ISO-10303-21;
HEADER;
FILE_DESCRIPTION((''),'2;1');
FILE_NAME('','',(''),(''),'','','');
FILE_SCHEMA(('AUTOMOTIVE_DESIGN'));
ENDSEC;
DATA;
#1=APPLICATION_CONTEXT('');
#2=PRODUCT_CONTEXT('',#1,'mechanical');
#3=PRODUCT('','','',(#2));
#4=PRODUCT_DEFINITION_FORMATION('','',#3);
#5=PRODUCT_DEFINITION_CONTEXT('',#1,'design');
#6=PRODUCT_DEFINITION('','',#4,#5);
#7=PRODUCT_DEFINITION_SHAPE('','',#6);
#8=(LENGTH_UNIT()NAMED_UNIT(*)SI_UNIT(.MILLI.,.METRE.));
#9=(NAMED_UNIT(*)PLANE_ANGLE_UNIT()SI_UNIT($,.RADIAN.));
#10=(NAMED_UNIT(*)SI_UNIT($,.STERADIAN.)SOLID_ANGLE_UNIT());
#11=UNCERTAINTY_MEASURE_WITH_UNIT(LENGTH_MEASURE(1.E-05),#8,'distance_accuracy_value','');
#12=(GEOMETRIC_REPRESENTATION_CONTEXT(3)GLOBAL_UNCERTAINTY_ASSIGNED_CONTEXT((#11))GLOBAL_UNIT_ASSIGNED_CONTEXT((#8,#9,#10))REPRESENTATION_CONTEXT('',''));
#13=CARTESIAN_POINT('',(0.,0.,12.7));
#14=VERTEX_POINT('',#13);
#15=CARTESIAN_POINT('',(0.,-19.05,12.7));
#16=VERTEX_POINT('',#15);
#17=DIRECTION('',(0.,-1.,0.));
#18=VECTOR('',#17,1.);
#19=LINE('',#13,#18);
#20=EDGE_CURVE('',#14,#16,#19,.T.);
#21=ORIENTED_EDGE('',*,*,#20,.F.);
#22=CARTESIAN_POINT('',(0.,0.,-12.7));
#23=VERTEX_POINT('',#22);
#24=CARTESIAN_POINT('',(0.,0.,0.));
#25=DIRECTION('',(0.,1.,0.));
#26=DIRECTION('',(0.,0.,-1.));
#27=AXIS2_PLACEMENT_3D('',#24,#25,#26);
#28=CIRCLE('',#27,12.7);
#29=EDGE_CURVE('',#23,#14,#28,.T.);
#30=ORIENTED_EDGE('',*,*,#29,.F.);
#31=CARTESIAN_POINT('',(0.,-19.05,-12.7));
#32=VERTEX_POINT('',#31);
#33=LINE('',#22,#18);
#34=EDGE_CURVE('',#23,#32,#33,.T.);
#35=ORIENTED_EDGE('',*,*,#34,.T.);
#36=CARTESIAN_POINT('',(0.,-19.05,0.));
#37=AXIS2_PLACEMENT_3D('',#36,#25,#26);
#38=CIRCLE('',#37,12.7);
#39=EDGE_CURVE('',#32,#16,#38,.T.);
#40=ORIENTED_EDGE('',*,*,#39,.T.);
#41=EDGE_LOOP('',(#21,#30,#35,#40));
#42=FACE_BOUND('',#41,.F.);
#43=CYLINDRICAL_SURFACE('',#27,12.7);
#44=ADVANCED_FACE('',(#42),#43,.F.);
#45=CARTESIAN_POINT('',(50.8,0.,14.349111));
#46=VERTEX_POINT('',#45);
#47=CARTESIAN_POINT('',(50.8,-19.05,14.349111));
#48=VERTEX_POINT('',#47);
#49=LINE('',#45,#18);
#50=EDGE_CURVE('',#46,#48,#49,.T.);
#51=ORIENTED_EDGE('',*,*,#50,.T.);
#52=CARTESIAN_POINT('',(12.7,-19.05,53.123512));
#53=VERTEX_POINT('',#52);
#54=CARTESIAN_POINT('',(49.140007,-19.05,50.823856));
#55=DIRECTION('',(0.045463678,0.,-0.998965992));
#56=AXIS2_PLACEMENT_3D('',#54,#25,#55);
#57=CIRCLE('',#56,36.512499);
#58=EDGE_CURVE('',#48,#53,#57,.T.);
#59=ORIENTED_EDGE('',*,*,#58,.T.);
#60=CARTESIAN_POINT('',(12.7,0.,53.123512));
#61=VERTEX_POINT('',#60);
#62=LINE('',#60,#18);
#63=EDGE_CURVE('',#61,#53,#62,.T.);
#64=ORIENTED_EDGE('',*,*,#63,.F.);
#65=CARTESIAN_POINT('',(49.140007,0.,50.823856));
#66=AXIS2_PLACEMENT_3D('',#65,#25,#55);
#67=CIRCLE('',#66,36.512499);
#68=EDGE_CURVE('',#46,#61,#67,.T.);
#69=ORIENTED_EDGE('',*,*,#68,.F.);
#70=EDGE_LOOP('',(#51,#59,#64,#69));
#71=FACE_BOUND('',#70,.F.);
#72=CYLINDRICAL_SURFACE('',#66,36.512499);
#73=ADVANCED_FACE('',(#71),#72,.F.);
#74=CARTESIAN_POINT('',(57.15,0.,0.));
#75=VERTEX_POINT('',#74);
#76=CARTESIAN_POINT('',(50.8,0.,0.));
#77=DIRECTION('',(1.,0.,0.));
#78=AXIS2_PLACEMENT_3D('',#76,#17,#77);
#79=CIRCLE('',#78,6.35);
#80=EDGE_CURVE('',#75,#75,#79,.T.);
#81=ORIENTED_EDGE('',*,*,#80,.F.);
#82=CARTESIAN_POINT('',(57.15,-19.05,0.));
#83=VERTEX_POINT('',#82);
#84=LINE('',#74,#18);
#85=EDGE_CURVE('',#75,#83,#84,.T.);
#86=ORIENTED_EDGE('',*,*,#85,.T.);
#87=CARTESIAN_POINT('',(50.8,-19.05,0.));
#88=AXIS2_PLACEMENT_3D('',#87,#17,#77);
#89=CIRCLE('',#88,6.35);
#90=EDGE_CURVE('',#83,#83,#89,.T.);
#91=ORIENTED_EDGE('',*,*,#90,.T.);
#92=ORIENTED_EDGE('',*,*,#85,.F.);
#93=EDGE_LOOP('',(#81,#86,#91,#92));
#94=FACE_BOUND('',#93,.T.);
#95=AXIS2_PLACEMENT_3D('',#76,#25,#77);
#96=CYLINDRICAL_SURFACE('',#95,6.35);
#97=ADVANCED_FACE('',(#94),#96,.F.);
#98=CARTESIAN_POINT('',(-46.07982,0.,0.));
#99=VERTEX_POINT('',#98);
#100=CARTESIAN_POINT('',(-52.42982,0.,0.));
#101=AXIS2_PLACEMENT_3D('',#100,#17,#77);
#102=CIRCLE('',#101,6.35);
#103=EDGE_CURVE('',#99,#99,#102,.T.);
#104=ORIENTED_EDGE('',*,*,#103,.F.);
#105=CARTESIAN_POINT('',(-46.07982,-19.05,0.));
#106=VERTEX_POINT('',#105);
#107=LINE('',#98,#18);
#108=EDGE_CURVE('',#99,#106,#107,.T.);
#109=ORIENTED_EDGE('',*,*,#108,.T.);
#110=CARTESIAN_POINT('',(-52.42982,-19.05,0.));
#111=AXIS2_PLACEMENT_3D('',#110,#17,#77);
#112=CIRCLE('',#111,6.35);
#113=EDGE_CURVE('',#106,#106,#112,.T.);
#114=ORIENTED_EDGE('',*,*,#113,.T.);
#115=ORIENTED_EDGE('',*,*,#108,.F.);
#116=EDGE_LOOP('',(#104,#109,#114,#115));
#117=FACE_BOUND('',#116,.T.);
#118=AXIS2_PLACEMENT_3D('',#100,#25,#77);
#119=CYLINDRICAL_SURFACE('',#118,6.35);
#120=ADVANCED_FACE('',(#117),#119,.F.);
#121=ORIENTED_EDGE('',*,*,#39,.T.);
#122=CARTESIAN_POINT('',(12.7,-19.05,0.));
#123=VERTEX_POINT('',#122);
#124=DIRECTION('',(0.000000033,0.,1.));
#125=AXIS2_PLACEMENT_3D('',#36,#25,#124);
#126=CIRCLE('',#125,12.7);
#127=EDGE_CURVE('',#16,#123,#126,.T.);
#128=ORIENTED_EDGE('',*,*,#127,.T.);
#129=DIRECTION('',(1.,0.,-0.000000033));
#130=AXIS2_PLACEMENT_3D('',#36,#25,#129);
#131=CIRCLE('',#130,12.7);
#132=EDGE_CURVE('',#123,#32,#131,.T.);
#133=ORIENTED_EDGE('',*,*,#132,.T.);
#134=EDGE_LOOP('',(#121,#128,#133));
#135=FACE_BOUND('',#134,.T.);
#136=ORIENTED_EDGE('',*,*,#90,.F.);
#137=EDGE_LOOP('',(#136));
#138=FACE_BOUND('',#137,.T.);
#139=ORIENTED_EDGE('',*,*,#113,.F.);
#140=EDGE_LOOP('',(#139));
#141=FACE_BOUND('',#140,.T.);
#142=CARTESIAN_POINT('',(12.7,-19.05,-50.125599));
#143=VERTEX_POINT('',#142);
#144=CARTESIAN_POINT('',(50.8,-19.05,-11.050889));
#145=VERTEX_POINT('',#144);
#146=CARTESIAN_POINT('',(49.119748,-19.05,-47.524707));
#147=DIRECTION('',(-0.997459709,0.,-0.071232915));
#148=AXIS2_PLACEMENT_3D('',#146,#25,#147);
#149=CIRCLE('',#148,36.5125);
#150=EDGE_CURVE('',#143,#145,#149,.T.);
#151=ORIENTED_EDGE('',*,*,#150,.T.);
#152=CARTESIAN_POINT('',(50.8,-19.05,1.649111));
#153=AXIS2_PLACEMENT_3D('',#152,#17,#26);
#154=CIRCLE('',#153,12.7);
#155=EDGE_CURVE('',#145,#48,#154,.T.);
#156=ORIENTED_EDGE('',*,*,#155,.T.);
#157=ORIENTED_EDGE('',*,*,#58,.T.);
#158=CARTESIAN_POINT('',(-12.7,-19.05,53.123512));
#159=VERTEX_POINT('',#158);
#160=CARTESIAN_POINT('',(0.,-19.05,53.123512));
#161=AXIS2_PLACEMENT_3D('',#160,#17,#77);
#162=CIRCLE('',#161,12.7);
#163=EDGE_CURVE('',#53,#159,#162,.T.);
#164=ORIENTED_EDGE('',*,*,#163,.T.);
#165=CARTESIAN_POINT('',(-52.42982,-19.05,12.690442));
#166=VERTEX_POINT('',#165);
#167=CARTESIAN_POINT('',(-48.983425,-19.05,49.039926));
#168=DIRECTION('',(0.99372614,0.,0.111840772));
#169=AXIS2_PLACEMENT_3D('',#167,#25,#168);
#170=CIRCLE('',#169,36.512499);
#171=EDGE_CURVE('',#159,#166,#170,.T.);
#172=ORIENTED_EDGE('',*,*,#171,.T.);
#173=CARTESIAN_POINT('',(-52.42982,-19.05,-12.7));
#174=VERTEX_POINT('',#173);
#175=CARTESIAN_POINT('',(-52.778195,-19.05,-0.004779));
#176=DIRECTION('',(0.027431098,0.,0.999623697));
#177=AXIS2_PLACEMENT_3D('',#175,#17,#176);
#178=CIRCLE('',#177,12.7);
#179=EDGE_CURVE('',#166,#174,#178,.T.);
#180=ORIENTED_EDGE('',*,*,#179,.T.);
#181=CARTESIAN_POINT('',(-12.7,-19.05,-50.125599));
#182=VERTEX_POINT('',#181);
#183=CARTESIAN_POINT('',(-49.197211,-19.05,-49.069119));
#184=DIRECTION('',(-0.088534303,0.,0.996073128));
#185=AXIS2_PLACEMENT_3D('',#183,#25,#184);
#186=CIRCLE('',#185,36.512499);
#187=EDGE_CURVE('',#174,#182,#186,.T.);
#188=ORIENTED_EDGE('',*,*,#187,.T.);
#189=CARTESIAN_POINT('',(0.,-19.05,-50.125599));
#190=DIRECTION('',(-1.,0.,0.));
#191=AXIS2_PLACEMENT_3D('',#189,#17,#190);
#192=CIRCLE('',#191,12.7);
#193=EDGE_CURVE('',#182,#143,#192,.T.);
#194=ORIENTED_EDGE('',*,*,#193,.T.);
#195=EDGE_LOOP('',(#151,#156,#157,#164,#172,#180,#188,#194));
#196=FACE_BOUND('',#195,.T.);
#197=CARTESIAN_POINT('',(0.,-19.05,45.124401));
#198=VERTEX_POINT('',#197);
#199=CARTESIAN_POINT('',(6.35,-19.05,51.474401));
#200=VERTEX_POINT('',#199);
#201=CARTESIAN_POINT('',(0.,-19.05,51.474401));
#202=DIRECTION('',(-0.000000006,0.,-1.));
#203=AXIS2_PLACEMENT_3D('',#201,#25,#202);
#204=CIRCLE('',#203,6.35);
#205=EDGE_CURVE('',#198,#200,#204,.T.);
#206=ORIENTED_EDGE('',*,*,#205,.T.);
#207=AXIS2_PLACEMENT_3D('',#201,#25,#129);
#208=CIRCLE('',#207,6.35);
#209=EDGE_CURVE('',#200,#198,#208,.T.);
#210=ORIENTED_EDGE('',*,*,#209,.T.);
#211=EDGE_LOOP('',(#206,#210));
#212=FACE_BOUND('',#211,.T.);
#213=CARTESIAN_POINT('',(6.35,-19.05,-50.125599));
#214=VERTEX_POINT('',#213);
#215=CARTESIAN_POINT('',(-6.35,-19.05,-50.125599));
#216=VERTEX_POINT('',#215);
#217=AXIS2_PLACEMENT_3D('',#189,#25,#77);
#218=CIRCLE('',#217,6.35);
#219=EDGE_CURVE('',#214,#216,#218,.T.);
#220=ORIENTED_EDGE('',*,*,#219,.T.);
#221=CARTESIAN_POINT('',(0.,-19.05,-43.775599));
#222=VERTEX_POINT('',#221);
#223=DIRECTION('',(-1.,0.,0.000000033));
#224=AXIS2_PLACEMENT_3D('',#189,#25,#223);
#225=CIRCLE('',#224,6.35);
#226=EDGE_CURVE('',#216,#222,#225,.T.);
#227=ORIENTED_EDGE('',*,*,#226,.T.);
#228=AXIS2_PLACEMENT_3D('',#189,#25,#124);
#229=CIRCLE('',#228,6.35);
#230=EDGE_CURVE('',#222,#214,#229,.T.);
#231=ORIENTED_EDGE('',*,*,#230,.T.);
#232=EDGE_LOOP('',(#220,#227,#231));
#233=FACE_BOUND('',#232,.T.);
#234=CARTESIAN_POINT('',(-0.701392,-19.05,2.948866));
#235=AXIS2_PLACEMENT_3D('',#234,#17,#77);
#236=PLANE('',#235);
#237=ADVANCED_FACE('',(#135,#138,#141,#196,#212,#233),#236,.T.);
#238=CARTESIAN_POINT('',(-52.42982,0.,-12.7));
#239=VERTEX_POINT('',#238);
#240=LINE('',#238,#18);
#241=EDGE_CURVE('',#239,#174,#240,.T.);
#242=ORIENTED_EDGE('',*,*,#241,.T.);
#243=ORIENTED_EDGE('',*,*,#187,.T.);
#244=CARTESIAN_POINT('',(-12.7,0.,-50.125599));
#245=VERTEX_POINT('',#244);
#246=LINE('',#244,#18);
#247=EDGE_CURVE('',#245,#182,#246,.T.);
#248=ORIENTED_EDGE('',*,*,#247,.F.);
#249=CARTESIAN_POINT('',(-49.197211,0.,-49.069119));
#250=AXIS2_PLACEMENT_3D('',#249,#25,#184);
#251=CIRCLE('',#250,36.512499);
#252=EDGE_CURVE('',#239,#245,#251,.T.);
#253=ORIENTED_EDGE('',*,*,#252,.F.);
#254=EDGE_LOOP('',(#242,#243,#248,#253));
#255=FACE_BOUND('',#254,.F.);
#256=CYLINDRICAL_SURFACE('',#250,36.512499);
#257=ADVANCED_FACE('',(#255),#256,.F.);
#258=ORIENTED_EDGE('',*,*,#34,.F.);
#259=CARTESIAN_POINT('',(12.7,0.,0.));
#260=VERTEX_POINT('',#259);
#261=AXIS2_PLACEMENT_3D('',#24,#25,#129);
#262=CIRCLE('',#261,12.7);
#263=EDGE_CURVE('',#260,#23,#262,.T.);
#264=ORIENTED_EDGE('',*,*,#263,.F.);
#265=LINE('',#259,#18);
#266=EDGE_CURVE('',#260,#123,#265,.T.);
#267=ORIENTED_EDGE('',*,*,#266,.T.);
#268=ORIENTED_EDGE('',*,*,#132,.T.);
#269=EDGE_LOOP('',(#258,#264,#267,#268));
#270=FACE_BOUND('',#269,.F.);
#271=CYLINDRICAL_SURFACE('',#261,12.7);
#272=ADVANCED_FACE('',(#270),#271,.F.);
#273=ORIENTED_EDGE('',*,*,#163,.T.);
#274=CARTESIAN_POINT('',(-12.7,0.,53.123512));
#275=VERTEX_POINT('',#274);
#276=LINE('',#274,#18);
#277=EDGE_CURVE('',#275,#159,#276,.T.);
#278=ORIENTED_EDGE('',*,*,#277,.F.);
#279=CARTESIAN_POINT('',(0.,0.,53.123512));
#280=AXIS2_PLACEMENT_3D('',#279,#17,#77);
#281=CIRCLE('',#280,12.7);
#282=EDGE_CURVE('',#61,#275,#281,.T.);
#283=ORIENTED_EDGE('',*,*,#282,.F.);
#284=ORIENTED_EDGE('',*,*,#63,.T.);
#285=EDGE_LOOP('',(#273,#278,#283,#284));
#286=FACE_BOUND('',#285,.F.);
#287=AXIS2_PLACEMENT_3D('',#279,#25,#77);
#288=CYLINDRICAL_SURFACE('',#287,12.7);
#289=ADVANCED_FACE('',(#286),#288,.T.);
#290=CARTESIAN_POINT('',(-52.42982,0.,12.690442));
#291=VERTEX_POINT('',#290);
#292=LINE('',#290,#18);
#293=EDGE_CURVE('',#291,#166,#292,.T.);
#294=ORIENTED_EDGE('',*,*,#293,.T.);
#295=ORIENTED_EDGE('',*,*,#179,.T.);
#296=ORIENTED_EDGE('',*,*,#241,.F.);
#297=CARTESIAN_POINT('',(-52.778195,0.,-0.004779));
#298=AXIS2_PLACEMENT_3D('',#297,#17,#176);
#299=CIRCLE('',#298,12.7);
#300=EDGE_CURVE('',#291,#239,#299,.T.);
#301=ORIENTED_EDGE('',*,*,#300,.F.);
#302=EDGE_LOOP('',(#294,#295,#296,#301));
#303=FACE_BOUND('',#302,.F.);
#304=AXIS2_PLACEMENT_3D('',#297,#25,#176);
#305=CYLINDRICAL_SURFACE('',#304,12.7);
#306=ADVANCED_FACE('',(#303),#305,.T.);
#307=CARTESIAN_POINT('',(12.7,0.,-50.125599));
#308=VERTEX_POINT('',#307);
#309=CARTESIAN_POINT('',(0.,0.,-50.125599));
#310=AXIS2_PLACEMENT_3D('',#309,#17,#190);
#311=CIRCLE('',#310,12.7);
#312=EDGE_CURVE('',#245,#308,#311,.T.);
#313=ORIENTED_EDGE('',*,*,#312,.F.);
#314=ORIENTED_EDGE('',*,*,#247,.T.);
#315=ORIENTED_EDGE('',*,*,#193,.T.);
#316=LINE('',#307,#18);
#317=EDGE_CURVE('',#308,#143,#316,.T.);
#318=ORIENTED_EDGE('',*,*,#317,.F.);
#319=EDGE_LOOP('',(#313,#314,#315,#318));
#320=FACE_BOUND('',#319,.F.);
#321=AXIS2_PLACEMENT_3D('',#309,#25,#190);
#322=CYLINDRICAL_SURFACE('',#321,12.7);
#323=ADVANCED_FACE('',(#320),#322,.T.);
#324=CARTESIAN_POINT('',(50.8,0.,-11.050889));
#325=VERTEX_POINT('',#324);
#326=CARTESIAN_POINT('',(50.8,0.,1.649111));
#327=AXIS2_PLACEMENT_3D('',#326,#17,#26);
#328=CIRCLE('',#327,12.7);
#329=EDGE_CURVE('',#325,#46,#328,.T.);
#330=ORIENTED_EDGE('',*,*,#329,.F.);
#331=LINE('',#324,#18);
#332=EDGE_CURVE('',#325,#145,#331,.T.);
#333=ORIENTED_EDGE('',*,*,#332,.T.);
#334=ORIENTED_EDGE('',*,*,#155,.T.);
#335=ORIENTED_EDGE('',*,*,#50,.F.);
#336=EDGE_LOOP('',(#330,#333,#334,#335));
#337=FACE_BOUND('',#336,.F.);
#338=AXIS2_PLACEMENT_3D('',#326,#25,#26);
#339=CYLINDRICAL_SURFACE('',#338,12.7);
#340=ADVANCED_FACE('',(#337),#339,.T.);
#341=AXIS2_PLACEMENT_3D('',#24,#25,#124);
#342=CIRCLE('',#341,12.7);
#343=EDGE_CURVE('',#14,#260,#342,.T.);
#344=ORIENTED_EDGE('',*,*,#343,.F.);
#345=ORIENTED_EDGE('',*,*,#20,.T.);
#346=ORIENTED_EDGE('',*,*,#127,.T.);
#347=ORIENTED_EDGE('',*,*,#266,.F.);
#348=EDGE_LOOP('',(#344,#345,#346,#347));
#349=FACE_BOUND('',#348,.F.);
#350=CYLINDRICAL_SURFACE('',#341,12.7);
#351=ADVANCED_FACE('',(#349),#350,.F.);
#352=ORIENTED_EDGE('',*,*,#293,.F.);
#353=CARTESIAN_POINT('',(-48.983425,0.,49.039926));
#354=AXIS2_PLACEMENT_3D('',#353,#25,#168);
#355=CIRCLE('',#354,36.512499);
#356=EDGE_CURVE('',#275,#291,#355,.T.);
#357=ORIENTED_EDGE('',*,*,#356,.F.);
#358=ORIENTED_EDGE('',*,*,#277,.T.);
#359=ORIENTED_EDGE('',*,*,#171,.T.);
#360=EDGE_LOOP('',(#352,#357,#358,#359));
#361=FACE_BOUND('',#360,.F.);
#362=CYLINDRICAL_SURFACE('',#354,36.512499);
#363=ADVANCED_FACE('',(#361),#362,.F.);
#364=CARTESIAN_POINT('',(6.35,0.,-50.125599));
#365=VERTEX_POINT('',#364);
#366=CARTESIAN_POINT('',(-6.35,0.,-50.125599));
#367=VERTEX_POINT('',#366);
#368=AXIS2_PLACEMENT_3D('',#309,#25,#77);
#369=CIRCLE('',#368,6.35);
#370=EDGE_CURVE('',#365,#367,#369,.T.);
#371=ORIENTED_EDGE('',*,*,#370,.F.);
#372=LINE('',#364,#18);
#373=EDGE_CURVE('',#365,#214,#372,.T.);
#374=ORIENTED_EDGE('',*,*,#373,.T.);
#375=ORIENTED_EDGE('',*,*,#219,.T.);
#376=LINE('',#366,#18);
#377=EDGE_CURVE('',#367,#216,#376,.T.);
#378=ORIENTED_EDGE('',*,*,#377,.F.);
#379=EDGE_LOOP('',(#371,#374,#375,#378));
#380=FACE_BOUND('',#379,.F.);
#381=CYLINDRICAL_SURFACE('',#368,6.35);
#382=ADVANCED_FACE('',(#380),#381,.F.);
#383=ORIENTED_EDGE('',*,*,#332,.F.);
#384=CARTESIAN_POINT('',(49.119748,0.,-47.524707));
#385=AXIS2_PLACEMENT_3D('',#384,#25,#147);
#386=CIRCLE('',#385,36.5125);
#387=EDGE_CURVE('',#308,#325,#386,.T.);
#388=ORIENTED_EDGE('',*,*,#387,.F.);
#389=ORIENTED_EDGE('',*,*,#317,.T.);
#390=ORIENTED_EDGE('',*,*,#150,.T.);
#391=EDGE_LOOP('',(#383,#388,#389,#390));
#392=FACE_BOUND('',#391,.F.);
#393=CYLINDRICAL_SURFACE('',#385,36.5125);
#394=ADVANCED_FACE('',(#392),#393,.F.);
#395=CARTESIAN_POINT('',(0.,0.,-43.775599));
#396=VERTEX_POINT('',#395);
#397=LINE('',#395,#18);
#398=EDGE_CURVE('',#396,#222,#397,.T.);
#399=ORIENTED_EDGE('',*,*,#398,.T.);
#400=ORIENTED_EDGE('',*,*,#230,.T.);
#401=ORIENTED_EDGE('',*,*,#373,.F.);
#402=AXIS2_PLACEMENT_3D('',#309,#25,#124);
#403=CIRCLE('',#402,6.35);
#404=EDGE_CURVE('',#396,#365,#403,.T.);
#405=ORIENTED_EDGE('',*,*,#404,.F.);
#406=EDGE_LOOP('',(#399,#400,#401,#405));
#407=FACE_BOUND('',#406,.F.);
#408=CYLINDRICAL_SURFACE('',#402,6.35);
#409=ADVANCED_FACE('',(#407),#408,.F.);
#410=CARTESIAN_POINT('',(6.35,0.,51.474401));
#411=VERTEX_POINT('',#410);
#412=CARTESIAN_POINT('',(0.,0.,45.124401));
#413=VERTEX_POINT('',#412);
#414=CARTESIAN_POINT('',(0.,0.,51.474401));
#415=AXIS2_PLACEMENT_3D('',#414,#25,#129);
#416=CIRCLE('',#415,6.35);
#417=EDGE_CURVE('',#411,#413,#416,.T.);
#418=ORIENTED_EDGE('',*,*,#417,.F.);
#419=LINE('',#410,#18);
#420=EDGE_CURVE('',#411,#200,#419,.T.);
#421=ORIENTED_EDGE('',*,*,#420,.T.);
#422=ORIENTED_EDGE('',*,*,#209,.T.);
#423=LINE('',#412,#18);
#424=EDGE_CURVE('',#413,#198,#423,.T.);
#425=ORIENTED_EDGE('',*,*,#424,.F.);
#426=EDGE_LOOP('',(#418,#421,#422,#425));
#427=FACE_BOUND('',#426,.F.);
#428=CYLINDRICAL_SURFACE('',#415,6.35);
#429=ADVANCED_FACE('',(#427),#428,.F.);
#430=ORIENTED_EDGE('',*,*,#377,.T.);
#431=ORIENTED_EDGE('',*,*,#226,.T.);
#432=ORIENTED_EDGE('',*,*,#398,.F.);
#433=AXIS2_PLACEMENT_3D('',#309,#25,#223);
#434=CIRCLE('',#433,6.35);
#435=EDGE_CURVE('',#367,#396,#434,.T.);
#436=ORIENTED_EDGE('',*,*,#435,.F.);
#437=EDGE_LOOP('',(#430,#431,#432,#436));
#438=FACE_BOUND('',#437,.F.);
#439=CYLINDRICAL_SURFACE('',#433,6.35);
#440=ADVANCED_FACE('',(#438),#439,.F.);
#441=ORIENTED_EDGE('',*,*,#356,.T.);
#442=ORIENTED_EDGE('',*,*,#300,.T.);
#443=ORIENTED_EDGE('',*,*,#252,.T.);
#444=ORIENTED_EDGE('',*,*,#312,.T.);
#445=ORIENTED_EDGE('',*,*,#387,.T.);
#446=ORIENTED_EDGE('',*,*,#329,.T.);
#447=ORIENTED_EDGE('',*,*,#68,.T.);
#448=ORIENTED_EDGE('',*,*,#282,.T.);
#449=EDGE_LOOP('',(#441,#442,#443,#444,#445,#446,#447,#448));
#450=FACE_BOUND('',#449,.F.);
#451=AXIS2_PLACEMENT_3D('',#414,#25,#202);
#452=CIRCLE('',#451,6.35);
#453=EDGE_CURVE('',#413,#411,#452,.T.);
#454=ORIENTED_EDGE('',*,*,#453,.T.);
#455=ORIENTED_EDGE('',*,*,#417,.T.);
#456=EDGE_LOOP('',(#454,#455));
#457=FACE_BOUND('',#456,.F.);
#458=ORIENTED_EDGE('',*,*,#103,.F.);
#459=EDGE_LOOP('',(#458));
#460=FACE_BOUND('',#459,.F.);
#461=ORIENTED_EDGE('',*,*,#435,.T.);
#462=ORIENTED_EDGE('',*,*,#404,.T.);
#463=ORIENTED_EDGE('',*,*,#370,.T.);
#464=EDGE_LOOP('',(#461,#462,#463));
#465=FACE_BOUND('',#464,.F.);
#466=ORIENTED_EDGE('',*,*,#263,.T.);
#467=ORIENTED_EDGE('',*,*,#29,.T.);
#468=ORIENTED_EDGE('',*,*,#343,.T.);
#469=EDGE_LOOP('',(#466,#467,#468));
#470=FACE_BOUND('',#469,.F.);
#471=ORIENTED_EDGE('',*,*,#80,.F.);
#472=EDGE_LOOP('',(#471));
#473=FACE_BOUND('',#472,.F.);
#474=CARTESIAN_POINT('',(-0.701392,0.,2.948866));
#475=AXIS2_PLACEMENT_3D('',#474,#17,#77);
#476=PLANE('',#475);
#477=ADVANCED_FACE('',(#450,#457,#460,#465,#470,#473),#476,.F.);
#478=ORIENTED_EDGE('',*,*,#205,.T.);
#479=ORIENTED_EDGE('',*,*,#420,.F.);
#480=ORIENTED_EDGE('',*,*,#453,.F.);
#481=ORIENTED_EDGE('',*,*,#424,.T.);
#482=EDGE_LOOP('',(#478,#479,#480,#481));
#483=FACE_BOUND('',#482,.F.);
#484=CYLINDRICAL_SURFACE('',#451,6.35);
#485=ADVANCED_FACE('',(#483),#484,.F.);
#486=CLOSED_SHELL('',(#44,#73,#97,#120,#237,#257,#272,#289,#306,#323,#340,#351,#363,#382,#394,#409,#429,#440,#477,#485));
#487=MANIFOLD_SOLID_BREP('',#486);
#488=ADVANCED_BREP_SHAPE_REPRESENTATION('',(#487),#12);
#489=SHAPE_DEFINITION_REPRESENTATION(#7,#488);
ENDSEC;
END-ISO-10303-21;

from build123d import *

# Parameters (mm, degrees)
F0_R     = 6.35
F1_DEPTH = 19.05
F2_DEPTH = 19.05


with BuildPart() as f1:
    # F0 (on Front) → F1 (new body)
    with BuildSketch(Plane.XZ):
        with BuildLine():
            ThreePointArc((-6.35, -50.125599), (-4.490128, -45.635471), (0, -43.775599))
            ThreePointArc((0, -43.775599), (4.490128, -45.635471), (6.35, -50.125599))
            Line((6.35, -50.125599), (12.7, -50.125599))
            ThreePointArc((12.7, -50.125599), (22.977514, -22.034586), (50.8, -11.050889))
            ThreePointArc((50.8, -11.050889), (63.5, 1.649111), (50.8, 14.349111))
            ThreePointArc((50.8, 14.349111), (23.096277, 25.233102), (12.7, 53.123512))
            ThreePointArc((12.7, 53.123512), (0, 65.823512), (-12.7, 53.123512))
            ThreePointArc((-12.7, 53.123512), (-22.939694, 23.449172), (-52.42982, 12.690442))
            ThreePointArc((-52.42982, 12.690442), (-65.478195, -0.004779), (-52.42982, -12.7))
            ThreePointArc((-52.42982, -12.7), (-24.161191, -22.49168), (-12.7, -50.125599))
            Line((-12.7, -50.125599), (-6.35, -50.125599))
        make_face()
        with Locations((-52.42982, 0)):
            Circle(F0_R, mode=Mode.SUBTRACT)
        with BuildLine():
            ThreePointArc((0, -12.7), (-12.7, 0), (0, 12.7))
            ThreePointArc((0, 12.7), (8.980256, 8.980256), (12.7, 0))
            ThreePointArc((12.7, 0), (8.980256, -8.980256), (0, -12.7))
        make_face(mode=Mode.SUBTRACT)
        with Locations((50.8, 0)):
            Circle(F0_R, mode=Mode.SUBTRACT)
        with BuildLine():
            ThreePointArc((6.35, 51.474401), (4.490128, 46.984273), (0, 45.124401))
            ThreePointArc((0, 45.124401), (-4.490128, 55.964529), (6.35, 51.474401))
        make_face(mode=Mode.SUBTRACT)
        with BuildLine():
            Line((12.7, -50.125599), (6.35, -50.125599))
            ThreePointArc((6.35, -50.125599), (0, -56.475599), (-6.35, -50.125599))
            Line((-6.35, -50.125599), (-12.7, -50.125599))
            ThreePointArc((-12.7, -50.125599), (0, -62.825599), (12.7, -50.125599))
        make_face()
    extrude(amount=F1_DEPTH)

    # F0 (on Front) → F2 (join)
    with BuildSketch(Plane.XZ):
        with BuildLine():
            ThreePointArc((-6.35, -50.125599), (-4.490128, -45.635471), (0, -43.775599))
            ThreePointArc((0, -43.775599), (4.490128, -45.635471), (6.35, -50.125599))
            Line((6.35, -50.125599), (12.7, -50.125599))
            ThreePointArc((12.7, -50.125599), (22.977514, -22.034586), (50.8, -11.050889))
            ThreePointArc((50.8, -11.050889), (63.5, 1.649111), (50.8, 14.349111))
            ThreePointArc((50.8, 14.349111), (23.096277, 25.233102), (12.7, 53.123512))
            ThreePointArc((12.7, 53.123512), (0, 65.823512), (-12.7, 53.123512))
            ThreePointArc((-12.7, 53.123512), (-22.939694, 23.449172), (-52.42982, 12.690442))
            ThreePointArc((-52.42982, 12.690442), (-65.478195, -0.004779), (-52.42982, -12.7))
            ThreePointArc((-52.42982, -12.7), (-24.161191, -22.49168), (-12.7, -50.125599))
            Line((-12.7, -50.125599), (-6.35, -50.125599))
        make_face()
        with Locations((-52.42982, 0)):
            Circle(F0_R, mode=Mode.SUBTRACT)
        with BuildLine():
            ThreePointArc((0, -12.7), (-12.7, 0), (0, 12.7))
            ThreePointArc((0, 12.7), (8.980256, 8.980256), (12.7, 0))
            ThreePointArc((12.7, 0), (8.980256, -8.980256), (0, -12.7))
        make_face(mode=Mode.SUBTRACT)
        with Locations((50.8, 0)):
            Circle(F0_R, mode=Mode.SUBTRACT)
        with BuildLine():
            ThreePointArc((6.35, 51.474401), (4.490128, 46.984273), (0, 45.124401))
            ThreePointArc((0, 45.124401), (-4.490128, 55.964529), (6.35, 51.474401))
        make_face(mode=Mode.SUBTRACT)
        with BuildLine():
            Line((12.7, -50.125599), (6.35, -50.125599))
            ThreePointArc((6.35, -50.125599), (0, -56.475599), (-6.35, -50.125599))
            Line((-6.35, -50.125599), (-12.7, -50.125599))
            ThreePointArc((-12.7, -50.125599), (0, -62.825599), (12.7, -50.125599))
        make_face()
    extrude(amount=F2_DEPTH)


solid = f1.part
